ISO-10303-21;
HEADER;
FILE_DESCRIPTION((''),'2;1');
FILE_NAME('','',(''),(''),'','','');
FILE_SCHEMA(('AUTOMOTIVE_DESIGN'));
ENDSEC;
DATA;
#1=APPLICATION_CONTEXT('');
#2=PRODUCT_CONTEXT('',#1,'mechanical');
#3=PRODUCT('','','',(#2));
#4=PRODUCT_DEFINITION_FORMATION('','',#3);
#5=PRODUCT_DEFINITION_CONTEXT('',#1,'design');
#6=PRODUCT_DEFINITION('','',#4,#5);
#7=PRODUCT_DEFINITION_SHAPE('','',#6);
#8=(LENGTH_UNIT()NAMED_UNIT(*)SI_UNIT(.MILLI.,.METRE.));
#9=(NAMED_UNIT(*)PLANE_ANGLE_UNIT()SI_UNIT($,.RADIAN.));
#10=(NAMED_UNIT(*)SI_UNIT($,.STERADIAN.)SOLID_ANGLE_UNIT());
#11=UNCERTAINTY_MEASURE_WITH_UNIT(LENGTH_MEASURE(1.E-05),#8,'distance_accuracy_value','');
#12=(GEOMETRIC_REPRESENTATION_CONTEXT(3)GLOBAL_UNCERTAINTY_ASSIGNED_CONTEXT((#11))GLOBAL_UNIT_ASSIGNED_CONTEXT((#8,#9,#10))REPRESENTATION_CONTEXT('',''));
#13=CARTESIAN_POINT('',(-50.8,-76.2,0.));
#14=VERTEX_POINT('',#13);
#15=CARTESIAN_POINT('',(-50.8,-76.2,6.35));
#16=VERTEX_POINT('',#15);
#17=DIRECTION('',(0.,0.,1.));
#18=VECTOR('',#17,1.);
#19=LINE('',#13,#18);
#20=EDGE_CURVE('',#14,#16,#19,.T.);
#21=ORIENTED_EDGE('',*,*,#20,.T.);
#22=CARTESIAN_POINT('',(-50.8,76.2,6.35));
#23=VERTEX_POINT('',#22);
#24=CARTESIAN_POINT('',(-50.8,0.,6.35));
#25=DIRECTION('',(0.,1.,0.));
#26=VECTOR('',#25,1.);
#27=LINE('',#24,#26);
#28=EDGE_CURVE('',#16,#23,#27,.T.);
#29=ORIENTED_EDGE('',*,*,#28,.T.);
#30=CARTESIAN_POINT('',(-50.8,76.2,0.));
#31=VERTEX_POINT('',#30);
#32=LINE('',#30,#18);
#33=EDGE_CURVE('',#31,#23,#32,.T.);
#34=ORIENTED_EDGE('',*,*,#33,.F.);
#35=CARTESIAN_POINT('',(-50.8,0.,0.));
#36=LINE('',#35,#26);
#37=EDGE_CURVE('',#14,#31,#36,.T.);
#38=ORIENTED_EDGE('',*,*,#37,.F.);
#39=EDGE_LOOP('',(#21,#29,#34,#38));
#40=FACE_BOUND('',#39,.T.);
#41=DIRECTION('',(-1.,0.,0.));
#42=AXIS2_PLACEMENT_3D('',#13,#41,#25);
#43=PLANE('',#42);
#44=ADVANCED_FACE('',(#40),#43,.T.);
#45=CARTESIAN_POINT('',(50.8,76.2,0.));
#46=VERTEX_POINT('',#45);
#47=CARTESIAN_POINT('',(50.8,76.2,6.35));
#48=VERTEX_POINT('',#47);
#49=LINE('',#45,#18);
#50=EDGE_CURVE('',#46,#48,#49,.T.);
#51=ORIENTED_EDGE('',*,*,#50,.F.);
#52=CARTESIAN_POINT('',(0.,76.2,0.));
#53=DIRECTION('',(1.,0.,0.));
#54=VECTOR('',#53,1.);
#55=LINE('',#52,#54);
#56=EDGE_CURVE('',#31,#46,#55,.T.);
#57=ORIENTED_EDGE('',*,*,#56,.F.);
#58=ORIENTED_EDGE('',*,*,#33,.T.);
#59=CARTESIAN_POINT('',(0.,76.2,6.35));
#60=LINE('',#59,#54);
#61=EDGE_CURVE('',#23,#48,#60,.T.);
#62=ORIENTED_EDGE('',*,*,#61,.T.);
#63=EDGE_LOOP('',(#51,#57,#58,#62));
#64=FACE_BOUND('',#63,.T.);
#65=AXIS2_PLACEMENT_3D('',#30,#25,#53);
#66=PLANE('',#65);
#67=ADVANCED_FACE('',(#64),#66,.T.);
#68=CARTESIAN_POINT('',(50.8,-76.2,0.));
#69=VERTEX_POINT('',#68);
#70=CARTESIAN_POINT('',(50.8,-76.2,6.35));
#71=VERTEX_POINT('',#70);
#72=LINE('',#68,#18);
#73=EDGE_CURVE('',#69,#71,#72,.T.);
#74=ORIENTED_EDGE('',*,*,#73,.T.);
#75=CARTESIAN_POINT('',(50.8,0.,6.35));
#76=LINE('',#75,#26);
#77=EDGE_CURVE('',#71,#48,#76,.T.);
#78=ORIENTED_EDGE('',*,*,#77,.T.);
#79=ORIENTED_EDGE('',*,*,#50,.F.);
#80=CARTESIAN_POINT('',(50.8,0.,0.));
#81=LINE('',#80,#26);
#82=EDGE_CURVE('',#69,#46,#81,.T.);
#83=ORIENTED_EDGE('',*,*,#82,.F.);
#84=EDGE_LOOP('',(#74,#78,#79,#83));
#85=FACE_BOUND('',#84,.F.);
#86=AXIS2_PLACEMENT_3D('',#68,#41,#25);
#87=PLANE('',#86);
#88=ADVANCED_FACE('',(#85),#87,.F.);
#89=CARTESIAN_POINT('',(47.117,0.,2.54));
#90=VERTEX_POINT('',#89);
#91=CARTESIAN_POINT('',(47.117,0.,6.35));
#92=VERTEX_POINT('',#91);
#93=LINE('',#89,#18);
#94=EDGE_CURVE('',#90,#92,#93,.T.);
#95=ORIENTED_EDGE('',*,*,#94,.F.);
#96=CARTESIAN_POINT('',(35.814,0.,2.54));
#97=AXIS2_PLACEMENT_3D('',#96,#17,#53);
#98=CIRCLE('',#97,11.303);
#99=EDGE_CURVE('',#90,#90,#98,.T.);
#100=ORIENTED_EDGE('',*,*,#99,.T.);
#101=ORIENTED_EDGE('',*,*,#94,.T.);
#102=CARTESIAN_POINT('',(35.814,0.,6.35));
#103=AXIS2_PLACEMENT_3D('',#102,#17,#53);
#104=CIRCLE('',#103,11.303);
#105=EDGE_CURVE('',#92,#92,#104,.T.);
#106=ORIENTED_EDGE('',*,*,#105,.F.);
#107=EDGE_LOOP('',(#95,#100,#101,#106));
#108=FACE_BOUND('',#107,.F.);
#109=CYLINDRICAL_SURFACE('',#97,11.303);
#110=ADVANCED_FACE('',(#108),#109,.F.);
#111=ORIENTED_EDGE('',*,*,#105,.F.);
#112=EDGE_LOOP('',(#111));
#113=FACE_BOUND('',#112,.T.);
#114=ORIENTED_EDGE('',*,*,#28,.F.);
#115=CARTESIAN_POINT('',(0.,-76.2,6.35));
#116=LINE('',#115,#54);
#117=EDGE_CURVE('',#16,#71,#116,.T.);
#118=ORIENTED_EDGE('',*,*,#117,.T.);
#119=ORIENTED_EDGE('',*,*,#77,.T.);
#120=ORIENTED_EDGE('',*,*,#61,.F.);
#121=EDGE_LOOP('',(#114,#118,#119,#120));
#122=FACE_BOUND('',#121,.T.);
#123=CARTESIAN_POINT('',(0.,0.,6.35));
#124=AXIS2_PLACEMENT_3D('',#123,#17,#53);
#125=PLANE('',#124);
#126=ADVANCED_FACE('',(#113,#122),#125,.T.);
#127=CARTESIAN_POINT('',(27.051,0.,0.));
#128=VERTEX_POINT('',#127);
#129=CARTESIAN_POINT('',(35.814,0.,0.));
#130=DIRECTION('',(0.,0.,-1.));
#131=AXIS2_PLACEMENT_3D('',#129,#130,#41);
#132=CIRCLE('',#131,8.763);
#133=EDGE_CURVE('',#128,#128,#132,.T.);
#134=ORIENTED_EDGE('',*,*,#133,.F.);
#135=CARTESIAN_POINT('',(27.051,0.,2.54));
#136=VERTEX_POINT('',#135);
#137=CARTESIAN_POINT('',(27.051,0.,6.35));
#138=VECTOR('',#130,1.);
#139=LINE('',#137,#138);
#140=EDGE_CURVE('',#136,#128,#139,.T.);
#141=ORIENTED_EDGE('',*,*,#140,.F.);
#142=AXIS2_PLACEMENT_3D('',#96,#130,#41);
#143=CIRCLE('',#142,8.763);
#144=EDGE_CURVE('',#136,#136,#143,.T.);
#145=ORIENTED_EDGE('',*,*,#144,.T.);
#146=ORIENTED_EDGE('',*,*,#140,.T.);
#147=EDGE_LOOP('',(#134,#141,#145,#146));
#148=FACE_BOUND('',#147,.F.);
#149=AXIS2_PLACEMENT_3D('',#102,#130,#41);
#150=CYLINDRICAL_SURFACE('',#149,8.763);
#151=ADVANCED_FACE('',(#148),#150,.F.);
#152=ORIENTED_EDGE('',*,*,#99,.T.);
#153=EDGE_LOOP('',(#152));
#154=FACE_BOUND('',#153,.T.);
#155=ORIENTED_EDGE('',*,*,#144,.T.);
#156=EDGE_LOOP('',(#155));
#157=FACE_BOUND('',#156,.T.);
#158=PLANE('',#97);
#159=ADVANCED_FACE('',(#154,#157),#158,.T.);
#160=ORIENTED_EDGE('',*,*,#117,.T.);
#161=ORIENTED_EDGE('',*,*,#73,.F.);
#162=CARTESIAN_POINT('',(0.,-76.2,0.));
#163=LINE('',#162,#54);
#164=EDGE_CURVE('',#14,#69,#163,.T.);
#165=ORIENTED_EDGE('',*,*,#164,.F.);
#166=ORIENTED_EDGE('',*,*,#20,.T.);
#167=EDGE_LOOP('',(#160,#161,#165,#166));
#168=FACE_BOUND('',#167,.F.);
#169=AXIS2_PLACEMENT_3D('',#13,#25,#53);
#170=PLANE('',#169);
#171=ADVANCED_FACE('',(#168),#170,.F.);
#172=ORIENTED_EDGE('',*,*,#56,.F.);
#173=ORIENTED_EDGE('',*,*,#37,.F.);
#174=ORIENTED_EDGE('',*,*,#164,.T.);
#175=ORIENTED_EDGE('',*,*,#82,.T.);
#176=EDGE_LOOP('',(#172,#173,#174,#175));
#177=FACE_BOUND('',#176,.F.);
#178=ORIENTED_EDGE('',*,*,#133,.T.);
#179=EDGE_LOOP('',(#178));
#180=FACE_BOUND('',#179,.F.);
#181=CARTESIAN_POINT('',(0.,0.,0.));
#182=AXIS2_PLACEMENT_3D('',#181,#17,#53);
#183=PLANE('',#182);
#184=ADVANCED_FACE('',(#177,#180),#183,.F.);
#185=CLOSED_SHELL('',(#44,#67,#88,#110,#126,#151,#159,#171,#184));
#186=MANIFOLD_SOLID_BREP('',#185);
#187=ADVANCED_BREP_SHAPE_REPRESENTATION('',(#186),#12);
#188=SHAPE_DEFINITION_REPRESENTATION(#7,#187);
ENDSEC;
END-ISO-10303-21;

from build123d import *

# Parameters (mm, degrees)
F0_W           = 101.6
F0_H           = 152.4
F1_DEPTH       = 6.35
F3_D           = 17.526
F3_CBORE_D     = 22.606
F3_CBORE_DEPTH = 3.81


with BuildPart() as f1:
    # F0 (on Top) → F1 (new body)
    with BuildSketch(Plane.XY):
        Rectangle(F0_W, F0_H)
    extrude(amount=F1_DEPTH)

    # F3 (through all)
    with Locations(Plane.XY.offset(6.35)):
        with Locations((35.814, 0)):
            CounterBoreHole(F3_D / 2, F3_CBORE_D / 2, F3_CBORE_DEPTH)


solid = f1.part
